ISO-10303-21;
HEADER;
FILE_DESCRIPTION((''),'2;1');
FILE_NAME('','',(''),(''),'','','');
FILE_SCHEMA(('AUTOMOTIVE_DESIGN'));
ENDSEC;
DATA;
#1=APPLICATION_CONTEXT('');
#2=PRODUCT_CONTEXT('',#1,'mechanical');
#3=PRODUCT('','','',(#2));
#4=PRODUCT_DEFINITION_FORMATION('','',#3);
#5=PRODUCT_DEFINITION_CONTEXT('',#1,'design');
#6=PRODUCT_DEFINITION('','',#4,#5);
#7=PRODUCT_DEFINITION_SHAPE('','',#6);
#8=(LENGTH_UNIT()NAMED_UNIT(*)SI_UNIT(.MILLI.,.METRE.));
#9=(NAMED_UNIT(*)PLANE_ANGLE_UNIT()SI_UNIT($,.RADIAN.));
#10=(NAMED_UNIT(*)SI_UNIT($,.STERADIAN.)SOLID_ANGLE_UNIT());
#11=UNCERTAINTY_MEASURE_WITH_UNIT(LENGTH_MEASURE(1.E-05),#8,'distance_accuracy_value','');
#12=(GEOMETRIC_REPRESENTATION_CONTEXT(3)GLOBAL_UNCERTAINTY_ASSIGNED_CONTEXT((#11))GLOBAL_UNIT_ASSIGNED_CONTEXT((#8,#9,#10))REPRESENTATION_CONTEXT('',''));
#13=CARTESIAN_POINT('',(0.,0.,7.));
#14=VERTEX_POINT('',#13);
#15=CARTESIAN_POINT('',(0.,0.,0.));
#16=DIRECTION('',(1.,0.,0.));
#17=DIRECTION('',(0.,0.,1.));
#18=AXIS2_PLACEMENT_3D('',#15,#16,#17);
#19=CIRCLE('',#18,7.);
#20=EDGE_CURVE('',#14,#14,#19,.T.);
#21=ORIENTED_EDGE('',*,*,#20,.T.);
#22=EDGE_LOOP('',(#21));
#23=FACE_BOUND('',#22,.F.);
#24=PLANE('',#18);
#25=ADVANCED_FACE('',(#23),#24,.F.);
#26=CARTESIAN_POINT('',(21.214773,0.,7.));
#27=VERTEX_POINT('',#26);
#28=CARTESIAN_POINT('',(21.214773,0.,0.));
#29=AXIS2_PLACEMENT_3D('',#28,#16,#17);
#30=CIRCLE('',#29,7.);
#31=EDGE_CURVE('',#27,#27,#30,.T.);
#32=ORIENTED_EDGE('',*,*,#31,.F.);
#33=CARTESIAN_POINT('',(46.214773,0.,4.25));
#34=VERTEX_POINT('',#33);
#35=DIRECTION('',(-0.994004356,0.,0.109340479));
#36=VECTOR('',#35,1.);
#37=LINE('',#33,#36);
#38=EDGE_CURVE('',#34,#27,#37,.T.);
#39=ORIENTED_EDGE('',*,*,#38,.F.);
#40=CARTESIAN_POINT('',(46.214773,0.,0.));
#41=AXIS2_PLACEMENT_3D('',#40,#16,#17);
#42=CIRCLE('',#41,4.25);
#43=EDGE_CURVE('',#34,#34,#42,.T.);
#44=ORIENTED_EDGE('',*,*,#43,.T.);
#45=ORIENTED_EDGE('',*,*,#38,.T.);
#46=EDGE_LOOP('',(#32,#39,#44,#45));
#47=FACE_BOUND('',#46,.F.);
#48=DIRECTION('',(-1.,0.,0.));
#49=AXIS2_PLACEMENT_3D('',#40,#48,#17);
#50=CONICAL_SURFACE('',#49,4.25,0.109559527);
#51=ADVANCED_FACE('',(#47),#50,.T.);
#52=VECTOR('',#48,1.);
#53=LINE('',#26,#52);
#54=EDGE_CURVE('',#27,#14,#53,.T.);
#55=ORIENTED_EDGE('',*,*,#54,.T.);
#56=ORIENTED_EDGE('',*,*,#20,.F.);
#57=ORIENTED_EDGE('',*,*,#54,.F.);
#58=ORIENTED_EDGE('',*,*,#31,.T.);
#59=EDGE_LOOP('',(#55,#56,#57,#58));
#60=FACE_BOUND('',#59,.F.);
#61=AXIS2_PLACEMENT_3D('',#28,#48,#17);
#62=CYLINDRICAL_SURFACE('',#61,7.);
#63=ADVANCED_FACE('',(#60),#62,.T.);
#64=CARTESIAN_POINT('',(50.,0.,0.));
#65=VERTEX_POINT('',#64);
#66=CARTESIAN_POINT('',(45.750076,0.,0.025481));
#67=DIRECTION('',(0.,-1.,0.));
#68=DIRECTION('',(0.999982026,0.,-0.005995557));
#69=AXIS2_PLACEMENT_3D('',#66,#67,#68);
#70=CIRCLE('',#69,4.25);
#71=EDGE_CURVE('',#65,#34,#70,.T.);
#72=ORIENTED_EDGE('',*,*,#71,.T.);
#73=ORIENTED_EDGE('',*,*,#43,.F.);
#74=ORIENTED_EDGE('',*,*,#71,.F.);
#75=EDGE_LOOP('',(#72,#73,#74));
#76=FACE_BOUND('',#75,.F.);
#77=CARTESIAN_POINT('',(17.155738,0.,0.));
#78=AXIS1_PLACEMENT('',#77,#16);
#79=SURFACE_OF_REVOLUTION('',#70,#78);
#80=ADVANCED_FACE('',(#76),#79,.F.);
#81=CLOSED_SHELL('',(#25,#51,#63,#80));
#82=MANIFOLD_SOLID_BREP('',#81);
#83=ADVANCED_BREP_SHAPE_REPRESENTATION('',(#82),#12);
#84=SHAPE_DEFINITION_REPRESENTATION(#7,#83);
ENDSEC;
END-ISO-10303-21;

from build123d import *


with BuildPart() as f1:
    # F0 (on Front) → F1 (revolve)
    with BuildSketch(Plane.XZ):
        with BuildLine():
            Line((0, 7), (0, 0))
            Line((0, 0), (34.311476, 0))
            Line((34.311476, 0), (50, 0))
            ThreePointArc((50, 0), (48.923802, 2.852134), (46.214773, 4.25))
            Line((46.214773, 4.25), (21.214773, 7))
            Line((21.214773, 7), (0, 7))
        make_face()
    revolve(axis=Axis((17.155738, 0, 0), (1, 0, 0)))


solid = f1.part
